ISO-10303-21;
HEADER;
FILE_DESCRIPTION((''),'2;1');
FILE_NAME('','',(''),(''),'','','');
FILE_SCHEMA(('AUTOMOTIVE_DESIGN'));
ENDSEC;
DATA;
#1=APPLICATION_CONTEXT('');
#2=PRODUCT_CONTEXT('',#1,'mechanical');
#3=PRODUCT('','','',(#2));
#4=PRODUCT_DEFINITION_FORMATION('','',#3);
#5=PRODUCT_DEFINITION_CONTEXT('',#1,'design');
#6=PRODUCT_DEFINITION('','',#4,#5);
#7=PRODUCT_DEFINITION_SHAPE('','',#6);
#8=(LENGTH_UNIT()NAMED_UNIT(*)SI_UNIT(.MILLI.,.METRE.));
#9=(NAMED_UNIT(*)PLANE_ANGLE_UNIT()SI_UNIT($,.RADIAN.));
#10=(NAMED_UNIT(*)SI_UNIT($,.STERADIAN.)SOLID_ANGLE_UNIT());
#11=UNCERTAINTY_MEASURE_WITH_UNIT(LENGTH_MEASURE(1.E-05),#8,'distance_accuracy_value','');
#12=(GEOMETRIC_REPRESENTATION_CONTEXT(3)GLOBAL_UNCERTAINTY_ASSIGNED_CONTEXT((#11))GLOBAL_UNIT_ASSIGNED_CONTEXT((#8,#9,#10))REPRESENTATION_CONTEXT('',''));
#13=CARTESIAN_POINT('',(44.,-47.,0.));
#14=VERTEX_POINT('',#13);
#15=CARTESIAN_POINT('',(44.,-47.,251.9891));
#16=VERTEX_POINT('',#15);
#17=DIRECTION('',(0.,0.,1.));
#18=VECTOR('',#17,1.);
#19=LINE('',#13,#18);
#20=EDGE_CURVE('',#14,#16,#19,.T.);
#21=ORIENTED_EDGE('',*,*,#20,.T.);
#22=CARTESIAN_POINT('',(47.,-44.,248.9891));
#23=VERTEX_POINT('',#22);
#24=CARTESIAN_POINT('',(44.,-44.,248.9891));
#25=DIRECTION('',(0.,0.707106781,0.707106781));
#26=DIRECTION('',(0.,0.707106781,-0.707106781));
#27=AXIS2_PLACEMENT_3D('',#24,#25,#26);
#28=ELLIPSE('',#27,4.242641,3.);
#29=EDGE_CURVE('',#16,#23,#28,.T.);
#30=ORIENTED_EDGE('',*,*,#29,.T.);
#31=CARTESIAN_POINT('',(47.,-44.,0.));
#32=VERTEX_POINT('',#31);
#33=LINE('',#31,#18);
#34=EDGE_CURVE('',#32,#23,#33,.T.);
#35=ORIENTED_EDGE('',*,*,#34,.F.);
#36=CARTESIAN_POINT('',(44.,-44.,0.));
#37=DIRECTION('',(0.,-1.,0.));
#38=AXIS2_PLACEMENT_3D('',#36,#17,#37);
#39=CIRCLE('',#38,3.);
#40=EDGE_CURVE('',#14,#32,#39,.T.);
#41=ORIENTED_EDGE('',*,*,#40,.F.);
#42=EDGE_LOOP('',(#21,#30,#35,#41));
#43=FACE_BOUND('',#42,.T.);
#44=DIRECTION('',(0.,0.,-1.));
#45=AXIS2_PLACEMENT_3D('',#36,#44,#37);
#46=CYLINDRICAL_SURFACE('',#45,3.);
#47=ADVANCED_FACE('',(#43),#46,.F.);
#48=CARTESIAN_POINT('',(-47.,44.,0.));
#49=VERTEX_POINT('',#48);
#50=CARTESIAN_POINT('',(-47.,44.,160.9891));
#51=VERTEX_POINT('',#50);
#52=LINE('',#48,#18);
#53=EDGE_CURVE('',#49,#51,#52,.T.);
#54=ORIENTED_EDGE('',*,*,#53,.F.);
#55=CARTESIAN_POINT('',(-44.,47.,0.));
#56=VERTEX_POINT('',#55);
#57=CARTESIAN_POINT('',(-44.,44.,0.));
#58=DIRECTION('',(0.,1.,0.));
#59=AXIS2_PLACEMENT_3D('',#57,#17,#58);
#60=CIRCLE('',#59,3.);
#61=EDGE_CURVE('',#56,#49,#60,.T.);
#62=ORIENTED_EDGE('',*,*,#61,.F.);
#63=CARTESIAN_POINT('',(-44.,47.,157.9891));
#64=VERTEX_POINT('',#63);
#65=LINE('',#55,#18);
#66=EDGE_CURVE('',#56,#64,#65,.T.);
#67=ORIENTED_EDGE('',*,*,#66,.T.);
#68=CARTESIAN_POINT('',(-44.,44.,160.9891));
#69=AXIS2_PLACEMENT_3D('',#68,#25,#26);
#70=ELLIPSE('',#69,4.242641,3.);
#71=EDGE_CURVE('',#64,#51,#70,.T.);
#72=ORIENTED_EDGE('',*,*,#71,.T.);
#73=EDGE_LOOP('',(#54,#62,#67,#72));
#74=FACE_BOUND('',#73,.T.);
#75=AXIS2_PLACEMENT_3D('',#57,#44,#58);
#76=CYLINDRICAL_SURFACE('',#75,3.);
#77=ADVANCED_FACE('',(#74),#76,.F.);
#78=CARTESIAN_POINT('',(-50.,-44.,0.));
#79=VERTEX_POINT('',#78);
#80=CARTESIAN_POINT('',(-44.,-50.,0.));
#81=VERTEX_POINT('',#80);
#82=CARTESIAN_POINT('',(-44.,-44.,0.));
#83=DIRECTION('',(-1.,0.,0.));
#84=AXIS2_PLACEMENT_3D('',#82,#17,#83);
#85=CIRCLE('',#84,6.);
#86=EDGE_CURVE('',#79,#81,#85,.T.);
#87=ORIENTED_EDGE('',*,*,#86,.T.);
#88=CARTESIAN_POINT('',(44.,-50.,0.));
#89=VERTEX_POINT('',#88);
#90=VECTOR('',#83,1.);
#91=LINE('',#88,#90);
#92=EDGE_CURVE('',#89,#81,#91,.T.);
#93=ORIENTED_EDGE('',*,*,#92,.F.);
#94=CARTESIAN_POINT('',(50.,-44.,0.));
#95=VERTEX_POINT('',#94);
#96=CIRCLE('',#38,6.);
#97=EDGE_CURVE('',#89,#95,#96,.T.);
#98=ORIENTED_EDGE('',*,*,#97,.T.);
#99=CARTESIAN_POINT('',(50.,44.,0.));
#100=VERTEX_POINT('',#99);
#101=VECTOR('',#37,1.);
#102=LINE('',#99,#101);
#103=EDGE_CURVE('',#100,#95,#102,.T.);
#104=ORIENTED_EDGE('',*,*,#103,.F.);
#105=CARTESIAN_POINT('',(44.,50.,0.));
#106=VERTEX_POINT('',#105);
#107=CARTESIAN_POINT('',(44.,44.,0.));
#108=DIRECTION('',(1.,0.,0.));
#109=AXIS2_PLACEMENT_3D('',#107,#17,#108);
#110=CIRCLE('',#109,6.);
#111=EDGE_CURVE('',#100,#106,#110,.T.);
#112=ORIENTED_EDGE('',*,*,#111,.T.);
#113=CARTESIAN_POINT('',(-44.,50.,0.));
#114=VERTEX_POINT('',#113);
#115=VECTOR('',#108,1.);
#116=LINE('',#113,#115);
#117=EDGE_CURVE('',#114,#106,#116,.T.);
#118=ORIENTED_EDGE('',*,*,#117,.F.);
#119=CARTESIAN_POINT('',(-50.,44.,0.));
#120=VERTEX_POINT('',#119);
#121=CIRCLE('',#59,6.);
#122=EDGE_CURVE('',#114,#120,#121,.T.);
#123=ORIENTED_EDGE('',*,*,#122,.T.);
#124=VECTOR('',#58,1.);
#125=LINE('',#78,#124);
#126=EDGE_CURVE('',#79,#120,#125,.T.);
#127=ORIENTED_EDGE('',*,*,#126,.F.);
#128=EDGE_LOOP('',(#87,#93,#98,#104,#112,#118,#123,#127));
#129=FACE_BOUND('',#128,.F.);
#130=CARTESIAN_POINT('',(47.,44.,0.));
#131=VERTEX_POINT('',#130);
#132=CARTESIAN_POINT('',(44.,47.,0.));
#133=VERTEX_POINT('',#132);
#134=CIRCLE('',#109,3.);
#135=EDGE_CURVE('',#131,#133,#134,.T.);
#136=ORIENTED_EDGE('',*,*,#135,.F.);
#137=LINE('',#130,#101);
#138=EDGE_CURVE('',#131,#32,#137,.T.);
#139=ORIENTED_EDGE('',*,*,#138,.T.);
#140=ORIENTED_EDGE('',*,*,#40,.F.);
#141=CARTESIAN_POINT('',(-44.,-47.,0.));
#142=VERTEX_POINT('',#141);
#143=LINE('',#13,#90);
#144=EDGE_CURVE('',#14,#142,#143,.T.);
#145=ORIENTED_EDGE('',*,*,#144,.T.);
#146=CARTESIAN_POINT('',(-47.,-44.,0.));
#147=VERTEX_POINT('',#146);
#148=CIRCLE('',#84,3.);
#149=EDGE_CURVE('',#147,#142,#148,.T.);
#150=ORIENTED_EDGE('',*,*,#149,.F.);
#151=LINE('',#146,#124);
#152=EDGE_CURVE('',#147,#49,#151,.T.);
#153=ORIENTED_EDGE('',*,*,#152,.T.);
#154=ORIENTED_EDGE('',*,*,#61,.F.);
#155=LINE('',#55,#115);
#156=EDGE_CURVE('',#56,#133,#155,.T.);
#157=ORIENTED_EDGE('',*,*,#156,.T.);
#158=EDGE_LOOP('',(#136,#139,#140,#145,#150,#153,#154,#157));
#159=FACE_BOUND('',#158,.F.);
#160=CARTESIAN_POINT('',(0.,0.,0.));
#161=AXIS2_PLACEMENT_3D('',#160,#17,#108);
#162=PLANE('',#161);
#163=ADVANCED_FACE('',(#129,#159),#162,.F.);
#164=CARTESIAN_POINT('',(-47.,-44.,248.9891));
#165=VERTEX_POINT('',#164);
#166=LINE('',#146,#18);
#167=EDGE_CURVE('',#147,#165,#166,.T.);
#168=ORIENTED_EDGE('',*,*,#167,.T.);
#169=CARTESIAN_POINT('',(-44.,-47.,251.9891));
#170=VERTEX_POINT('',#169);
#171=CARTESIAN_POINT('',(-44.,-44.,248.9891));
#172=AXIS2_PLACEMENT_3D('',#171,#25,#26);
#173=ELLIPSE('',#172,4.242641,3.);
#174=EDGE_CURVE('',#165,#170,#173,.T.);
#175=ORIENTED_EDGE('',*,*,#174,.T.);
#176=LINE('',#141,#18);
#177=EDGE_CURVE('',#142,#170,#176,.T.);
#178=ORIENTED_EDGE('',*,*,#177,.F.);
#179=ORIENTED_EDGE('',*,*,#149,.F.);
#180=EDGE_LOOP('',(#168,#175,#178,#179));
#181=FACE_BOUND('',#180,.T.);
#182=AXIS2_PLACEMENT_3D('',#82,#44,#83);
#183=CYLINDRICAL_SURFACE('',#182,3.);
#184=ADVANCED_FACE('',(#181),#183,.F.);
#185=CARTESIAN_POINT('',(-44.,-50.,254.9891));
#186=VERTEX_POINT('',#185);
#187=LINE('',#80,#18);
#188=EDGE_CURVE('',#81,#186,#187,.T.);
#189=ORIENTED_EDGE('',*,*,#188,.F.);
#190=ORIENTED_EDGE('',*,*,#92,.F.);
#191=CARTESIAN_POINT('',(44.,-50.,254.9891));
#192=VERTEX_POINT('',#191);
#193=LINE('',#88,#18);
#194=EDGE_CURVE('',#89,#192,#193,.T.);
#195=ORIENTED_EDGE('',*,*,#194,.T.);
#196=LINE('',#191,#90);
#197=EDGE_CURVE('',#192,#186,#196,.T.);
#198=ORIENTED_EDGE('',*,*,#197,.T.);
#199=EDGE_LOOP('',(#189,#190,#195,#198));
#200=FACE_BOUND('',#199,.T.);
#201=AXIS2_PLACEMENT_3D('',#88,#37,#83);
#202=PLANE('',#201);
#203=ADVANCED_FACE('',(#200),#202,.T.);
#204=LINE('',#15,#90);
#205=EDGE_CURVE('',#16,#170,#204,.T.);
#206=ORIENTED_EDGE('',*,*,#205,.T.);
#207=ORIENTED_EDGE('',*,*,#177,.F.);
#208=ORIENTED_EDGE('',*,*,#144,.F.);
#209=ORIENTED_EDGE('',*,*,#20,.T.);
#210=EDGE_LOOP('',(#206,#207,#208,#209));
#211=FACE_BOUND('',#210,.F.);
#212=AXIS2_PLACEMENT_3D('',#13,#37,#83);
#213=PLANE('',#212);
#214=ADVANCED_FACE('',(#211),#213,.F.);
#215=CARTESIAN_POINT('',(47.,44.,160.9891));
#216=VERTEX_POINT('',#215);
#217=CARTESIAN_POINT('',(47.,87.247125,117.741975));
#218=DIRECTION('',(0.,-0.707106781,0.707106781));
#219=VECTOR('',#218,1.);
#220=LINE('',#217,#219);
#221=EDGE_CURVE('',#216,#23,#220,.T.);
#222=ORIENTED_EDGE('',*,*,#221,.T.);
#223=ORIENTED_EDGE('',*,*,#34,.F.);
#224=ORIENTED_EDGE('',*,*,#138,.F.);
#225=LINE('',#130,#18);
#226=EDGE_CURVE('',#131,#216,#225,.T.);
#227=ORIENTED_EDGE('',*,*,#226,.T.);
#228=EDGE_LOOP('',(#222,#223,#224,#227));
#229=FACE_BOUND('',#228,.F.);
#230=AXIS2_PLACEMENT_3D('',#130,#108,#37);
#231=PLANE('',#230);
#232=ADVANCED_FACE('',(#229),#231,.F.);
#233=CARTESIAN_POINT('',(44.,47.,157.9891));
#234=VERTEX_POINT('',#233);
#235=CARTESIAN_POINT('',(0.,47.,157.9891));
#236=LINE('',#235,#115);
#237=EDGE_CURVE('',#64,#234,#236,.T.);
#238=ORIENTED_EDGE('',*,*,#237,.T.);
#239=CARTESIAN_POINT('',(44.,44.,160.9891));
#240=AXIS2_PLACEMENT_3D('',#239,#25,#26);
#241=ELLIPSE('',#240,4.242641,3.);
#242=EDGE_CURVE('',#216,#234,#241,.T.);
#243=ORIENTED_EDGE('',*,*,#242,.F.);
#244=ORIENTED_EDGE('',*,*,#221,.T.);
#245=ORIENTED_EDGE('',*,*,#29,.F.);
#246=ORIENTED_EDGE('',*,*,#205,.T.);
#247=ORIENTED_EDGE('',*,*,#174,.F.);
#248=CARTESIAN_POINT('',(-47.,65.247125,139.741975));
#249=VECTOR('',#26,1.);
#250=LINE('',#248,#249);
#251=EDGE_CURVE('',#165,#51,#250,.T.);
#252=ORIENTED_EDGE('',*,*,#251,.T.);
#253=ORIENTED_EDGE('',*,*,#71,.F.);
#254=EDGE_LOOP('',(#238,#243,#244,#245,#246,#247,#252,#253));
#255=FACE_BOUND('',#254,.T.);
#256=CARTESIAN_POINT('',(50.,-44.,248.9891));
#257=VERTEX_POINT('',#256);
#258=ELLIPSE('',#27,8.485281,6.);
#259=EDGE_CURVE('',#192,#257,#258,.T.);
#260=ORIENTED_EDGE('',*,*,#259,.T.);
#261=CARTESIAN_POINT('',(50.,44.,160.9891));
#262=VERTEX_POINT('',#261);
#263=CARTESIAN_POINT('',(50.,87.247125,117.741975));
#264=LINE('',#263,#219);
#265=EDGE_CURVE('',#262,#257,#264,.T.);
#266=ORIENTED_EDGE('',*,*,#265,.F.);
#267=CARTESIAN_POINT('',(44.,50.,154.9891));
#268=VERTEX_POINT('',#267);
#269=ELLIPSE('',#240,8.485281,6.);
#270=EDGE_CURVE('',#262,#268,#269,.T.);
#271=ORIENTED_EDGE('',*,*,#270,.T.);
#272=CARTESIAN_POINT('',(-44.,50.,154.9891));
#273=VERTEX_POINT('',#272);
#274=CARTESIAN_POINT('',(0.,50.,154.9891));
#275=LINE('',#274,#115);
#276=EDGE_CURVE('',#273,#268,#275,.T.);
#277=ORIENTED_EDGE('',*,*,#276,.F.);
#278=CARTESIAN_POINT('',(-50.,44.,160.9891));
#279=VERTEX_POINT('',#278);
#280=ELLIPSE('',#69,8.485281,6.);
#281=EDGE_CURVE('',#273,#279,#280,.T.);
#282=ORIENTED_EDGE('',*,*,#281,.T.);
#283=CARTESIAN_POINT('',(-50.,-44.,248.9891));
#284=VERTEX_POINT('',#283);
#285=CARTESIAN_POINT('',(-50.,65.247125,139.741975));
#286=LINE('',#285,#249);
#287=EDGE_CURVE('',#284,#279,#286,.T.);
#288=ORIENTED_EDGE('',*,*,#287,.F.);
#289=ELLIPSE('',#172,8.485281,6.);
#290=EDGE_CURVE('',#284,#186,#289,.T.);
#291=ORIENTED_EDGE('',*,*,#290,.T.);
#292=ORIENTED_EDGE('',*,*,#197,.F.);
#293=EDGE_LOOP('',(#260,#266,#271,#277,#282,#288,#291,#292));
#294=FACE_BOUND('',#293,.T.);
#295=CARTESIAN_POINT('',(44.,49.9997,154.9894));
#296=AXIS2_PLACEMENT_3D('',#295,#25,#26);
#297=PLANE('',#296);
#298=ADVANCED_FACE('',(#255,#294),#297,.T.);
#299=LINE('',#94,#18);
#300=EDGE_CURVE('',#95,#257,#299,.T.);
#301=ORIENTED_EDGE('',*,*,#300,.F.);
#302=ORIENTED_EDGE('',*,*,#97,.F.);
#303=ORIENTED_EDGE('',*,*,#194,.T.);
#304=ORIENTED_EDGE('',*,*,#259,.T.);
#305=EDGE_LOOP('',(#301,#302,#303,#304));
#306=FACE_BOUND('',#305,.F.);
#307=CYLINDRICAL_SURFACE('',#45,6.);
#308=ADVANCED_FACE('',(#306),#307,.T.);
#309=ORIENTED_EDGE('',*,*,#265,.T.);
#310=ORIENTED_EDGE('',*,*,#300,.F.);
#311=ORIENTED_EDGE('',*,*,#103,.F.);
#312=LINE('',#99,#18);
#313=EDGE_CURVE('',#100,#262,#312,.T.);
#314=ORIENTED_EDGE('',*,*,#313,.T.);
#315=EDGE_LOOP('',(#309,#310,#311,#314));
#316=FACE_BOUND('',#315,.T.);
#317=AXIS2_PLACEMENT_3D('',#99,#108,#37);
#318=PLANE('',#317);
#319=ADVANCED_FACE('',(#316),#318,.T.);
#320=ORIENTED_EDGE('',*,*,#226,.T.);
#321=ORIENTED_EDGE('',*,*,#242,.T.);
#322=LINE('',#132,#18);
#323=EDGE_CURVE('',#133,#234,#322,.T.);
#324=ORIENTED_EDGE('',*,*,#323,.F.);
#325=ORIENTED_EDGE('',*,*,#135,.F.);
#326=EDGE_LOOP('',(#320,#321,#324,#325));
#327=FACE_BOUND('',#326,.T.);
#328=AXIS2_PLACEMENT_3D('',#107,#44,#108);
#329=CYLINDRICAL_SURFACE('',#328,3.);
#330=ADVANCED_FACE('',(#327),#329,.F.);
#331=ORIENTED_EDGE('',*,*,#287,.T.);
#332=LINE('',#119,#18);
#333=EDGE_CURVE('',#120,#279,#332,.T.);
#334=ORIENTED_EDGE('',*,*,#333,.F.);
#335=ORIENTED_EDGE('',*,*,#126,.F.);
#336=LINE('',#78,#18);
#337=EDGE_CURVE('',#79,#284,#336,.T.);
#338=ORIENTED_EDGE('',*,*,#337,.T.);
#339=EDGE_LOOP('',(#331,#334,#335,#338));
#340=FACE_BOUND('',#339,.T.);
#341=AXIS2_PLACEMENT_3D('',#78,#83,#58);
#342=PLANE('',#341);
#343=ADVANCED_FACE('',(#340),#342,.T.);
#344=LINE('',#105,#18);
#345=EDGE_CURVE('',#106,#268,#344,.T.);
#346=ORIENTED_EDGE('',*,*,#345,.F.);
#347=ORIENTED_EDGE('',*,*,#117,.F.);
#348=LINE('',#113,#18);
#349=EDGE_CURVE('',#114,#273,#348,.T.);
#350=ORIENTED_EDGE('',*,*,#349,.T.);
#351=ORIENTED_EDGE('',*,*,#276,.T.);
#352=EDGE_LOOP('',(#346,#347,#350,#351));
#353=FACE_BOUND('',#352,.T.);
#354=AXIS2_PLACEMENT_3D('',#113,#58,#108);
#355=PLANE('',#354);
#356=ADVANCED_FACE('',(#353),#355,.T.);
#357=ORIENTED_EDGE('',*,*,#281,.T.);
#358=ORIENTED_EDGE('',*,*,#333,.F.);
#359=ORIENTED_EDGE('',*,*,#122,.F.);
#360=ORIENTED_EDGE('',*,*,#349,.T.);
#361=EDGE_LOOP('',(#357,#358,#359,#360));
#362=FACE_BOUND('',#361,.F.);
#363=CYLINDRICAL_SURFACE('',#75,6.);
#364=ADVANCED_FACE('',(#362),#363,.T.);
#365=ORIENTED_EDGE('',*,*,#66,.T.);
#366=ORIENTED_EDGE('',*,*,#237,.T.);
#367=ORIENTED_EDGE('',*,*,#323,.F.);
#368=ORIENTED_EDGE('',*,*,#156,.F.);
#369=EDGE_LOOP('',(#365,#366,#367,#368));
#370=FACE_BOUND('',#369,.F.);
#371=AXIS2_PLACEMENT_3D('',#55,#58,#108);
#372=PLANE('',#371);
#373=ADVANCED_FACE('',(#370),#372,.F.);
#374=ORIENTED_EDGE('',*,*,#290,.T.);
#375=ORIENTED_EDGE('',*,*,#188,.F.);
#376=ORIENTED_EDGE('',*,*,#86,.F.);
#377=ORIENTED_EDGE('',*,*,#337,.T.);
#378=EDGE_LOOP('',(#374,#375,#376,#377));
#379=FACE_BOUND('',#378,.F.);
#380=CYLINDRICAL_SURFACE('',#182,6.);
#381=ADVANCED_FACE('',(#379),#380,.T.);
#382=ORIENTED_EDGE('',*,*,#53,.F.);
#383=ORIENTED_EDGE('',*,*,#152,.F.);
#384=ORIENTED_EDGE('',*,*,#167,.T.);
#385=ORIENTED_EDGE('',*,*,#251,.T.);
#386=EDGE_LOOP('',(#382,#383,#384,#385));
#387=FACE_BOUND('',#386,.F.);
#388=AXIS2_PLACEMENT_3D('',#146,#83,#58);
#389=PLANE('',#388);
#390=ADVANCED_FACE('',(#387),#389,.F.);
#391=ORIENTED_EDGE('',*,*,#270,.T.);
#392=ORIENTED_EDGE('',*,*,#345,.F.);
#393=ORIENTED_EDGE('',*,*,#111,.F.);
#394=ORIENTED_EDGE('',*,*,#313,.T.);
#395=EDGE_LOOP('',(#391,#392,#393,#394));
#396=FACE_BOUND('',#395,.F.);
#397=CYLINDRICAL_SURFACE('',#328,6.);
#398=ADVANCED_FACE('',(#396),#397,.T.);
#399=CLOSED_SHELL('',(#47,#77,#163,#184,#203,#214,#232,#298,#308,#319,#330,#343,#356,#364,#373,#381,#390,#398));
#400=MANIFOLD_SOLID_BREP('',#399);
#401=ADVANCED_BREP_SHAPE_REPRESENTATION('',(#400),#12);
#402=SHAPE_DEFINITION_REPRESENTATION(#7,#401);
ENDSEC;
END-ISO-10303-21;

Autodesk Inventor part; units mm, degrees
ref_plane "Start Plane" through (0, 0, 0) normal (0, 0, 1) x (1, 0, 0)
ref_plane "End Plane" through (0, 0, 254.9891) normal (0, 0, 1) x (1, 0, 0)
sketch "Sketch" plane through (0, 0, 0) normal (0, 0, 1) x (1, 0, 0)
  line L0 (-50, -44) -> (-50, 44)
  line L1 (-44, 50) -> (44, 50)
  line L2 (50, 44) -> (50, -44)
  line L3 (44, -50) -> (-44, -50)
  arc A0 (-50, -44) -> (-44, -50) centre (-44, -44) ccw
  arc A1 (50, 44) -> (44, 50) centre (44, 44) ccw
  arc A2 (-44, 50) -> (-50, 44) centre (-44, 44) ccw
  arc A3 (44, -50) -> (50, -44) centre (44, -44) ccw
  arc A4 (-44, 47) -> (-47, 44) centre (-44, 44) ccw
  line L4 (-44, 47) -> (44, 47)
  arc A5 (47, 44) -> (44, 47) centre (44, 44) ccw
  line L5 (47, 44) -> (47, -44)
  arc A6 (44, -47) -> (47, -44) centre (44, -44) ccw
  line L6 (44, -47) -> (-44, -47)
  arc A7 (-47, -44) -> (-44, -47) centre (-44, -44) ccw
  line L7 (-47, -44) -> (-47, 44)
  line L8 (0, 71.7397) -> (0, -71.7397) construction
  line L9 (-71.7397, 0) -> (71.7397, 0) construction
  dimension "d7" = 6
  dimension "d9" = 100
  dimension "d11" = 100
  dimension "d12" = 3
  dimension "d15" = 50
  dimension "d16" = 50
extrude "Body" add sketch "Sketch" along normal up to surface (254.9891 mm away) from surface at 0
sketch "Sketch3" plane through (0, 0, 0) normal (0, 0, 1) x (1, 0, 0)
  line L0 (0, 0) -> (10, 0)
ref_plane "Work Plane3" through (0, 0, 0) normal (0, -1, 0) x (1, 0, 0)
ref_plane "Work Plane4" through (44, 49.9997, 154.9894) normal (0, 0.7071, 0.7071) x (1, 0, 0)
split "Split1" plane through (44, 49.9997, 154.9894) removes the side toward (0, 0.7071, 0.7071)
sketch "Sketch4" plane through (0, 0, 0) normal (0, -1, 0) x (1, 0, 0)
  line L0 (-2, 0) -> (12, 0) projected
  line L1 (-2, 254.9891) -> (12, 254.9891) projected
  dimension "d18" = 254.9891
equation "\"d7\" = G_IR"
equation "\"d9\" = G_W"
equation "\"d11\" = G_H"
equation "\"d12\" = G_T"
equation "\"d15\" = 0.5 * d9"
equation "\"d16\" = 0.5 * d11"
equation "\"d3\" = G_L"
equation "\"G_W\" = 100"
equation "\"G_H\" = 100"
equation "\"G_T\" = 3"
equation "\"G_IR\" = 6"
equation "\"G_L\" = d18"
equation "\"G_OFFSET_START\" = 0"
equation "\"G_OFFSET_END\" = 0"
equation "\"d14\" = G_OFFSET_END + B_L"
equation "\"B_L\" = 254.98915"
properties part number "ISO 10799-2 - 100x100x3 - 254,99" material "Steel, Mild"
